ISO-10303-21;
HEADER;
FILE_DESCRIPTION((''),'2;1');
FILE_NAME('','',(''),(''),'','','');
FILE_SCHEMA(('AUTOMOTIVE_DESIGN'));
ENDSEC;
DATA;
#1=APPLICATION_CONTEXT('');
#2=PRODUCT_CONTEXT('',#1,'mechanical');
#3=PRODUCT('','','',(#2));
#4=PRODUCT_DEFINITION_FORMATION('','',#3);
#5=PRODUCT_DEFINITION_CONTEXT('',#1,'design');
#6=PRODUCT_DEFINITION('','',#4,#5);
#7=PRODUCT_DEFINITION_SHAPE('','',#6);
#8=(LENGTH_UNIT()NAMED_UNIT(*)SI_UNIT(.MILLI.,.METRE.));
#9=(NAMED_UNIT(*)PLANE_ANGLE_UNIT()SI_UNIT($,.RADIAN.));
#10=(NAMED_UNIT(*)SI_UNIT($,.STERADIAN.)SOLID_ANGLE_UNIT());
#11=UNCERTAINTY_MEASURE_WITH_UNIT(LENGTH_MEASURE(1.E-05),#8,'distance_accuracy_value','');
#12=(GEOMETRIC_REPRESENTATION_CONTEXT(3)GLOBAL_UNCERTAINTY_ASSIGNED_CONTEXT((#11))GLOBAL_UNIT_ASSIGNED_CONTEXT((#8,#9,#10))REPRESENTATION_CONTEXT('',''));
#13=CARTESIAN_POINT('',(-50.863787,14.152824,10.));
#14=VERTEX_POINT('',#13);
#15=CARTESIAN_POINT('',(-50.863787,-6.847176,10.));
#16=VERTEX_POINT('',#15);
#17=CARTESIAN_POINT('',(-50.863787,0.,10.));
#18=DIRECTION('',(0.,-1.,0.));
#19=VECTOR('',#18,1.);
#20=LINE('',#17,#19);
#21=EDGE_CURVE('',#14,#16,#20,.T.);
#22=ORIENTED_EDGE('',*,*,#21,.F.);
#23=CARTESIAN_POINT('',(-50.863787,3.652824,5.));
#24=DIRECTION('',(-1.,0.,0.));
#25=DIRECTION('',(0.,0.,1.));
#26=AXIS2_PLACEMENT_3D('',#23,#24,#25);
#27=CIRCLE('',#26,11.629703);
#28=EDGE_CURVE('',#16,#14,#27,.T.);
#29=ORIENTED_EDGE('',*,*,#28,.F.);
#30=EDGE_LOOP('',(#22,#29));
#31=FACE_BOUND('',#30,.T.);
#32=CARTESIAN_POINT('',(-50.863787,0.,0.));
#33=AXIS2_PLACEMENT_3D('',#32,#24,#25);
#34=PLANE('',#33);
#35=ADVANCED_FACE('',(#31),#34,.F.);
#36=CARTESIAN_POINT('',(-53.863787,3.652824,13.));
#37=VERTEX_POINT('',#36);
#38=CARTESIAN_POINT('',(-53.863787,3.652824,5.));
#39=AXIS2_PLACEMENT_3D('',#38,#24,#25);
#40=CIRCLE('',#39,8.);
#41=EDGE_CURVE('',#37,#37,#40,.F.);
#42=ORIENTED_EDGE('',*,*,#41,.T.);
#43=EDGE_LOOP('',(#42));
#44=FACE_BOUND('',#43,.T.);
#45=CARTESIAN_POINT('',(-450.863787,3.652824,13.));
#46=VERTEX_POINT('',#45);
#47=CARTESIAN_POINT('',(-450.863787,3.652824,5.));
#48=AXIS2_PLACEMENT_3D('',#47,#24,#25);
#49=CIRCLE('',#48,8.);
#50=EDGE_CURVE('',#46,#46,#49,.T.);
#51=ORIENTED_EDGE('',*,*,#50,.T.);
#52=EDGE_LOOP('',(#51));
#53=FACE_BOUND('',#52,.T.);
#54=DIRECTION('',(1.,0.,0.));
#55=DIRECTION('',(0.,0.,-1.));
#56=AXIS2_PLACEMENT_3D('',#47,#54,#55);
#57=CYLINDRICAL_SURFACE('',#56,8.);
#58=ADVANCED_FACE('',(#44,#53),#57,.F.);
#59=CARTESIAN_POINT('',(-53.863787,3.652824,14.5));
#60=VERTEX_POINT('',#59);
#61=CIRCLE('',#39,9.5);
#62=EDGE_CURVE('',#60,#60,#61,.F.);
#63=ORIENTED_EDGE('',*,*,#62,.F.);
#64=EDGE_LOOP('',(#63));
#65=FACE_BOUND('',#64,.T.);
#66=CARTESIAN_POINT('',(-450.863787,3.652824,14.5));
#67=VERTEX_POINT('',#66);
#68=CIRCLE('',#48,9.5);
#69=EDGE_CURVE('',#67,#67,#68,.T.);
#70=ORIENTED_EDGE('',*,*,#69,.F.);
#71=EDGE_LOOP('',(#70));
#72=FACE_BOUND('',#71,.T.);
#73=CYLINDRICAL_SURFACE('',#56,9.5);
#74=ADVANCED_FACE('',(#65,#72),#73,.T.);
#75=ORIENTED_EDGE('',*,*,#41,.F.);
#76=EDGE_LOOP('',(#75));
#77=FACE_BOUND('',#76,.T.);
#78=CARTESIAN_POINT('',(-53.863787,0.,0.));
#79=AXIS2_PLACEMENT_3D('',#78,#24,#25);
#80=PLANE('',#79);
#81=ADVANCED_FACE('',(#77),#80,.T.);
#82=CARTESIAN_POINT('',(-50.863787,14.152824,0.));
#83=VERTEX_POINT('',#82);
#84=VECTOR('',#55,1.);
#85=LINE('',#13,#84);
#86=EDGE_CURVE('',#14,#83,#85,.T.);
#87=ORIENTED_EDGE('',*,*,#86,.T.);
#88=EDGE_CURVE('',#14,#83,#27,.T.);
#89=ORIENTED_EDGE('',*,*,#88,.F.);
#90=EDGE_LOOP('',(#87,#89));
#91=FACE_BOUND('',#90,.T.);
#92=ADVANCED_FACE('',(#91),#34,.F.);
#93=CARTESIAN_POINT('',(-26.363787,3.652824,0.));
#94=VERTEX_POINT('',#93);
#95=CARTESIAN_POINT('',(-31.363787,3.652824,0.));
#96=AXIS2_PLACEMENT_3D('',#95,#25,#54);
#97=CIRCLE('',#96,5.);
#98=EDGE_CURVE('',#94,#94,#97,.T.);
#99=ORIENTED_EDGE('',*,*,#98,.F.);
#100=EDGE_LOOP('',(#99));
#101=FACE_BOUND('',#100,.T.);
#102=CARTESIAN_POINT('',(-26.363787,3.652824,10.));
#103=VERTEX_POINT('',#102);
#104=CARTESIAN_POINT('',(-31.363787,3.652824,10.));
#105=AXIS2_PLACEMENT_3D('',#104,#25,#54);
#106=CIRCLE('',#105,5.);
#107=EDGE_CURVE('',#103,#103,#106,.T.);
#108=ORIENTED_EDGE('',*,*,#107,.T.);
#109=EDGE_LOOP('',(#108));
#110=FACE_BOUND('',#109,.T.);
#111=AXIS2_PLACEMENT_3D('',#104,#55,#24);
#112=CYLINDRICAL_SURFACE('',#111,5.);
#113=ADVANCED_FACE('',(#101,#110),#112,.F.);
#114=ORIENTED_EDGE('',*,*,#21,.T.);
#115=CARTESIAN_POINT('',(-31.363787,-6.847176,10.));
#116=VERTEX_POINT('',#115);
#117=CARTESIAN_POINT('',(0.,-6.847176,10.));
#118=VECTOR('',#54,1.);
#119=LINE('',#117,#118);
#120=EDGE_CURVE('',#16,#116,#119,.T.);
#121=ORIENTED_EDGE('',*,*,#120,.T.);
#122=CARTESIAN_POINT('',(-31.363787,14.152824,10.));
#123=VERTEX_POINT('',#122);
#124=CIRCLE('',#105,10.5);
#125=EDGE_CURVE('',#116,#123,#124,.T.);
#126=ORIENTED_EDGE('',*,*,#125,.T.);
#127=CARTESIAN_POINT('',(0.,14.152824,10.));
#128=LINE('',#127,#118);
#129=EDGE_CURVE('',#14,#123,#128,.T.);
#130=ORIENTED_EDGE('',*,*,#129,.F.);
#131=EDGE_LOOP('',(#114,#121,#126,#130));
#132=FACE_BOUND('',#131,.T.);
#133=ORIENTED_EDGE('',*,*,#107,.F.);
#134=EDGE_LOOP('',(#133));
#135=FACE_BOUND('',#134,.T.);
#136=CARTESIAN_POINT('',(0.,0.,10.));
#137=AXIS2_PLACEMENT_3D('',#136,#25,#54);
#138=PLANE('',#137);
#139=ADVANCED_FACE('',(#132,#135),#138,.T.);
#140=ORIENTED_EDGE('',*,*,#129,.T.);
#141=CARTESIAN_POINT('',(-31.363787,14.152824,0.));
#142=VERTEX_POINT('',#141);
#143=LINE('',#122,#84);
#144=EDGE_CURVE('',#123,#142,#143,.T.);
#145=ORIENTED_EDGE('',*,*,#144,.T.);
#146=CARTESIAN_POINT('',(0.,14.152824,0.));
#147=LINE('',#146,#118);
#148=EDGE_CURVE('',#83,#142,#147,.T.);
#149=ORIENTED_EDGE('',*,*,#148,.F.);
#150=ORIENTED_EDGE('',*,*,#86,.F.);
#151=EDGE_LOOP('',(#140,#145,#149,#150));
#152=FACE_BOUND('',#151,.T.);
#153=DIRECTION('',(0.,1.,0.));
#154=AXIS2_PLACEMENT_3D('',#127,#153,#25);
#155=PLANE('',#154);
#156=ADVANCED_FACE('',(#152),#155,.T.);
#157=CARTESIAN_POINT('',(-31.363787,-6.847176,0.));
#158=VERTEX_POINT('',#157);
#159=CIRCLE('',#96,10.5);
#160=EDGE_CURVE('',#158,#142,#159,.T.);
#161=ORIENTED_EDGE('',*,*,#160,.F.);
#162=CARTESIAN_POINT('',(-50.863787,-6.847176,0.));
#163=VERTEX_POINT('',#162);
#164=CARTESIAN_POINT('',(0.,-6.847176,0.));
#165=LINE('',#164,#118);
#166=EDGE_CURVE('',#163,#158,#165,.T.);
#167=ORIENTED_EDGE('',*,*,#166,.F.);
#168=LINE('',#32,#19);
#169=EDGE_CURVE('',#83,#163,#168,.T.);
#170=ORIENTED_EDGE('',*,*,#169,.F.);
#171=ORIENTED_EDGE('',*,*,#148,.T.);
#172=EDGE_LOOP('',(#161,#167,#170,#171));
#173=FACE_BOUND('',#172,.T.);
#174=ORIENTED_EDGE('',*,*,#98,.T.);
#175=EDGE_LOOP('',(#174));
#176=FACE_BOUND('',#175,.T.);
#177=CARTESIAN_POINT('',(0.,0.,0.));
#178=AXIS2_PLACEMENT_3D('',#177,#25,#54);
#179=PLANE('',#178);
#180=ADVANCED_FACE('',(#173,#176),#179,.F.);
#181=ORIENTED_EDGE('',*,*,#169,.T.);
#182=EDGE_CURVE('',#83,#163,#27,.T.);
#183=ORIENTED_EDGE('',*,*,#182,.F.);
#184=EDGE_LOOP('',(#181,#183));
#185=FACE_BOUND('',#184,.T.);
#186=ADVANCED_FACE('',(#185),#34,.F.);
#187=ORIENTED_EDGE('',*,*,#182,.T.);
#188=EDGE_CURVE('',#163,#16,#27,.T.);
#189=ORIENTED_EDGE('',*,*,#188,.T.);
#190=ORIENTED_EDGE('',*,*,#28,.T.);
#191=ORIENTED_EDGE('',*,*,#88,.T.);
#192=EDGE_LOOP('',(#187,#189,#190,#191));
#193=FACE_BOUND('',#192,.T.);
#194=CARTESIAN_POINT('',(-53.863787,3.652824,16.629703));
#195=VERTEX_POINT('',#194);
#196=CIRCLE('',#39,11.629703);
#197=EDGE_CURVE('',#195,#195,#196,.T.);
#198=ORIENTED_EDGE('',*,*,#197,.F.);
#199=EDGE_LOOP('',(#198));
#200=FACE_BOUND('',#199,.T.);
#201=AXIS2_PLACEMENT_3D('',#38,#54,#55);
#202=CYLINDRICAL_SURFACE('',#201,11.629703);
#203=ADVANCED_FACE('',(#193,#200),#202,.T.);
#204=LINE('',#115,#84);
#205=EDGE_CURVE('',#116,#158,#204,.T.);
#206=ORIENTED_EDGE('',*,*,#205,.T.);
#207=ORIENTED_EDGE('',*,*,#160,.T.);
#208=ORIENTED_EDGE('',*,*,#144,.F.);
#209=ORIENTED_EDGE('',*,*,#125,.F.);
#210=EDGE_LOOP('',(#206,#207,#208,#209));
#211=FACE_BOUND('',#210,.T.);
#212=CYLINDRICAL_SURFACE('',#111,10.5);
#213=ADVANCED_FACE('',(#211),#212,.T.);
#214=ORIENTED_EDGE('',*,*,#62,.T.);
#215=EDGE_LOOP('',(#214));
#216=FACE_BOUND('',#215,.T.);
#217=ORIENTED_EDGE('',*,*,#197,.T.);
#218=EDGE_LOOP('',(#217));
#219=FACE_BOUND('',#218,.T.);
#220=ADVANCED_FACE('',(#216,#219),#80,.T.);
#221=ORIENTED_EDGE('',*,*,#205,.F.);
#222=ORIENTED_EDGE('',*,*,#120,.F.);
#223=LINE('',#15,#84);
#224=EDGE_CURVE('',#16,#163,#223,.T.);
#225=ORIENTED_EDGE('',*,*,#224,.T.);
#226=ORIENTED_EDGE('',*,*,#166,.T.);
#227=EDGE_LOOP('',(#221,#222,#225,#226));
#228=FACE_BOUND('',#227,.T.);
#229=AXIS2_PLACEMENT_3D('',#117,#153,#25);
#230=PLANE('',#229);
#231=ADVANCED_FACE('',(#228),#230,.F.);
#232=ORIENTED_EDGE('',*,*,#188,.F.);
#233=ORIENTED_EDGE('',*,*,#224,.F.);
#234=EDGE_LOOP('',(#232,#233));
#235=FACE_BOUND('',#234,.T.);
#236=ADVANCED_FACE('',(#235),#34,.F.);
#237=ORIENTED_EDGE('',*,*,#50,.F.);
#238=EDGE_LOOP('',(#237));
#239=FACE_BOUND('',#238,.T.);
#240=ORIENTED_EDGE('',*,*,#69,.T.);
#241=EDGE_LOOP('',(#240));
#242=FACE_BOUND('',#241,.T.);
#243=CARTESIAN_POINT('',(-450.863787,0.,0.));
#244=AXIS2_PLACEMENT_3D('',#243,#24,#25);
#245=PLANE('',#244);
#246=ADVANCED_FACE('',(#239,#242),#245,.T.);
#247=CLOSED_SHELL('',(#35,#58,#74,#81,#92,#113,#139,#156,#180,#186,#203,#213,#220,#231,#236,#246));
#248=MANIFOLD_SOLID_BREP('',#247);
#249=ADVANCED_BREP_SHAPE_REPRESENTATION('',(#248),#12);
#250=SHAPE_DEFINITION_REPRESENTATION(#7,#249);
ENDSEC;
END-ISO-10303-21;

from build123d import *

# Parameters (mm, degrees)
SKETCH1_R            = 5
BOSS_EXTRUDE1_DEPTH  = 10
SKETCH2_R            = 11.62970335
BOSS_EXTRUDE9_DEPTH  = 3
SKETCH2_8_R          = 9.5
SKETCH2_8_R_2        = 8
BOSS_EXTRUDE10_DEPTH = 400


with BuildPart() as part:
    # Sketch1 → Boss-Extrude1 (new body)
    with BuildSketch(Plane.XY):
        with BuildLine():
            Line((-31.363787375, 14.15282392), (-50.863787375, 14.15282392))
            Line((-50.863787375, 14.15282392), (-50.863787375, -6.84717608))
            Line((-50.863787375, -6.84717608), (-31.363787375, -6.84717608))
            ThreePointArc((-31.363787375, -6.84717608), (-20.863787375, 3.65282392), (-31.363787375, 14.15282392))
        make_face()
        with Locations((-31.363787375, 3.65282392)):
            Circle(SKETCH1_R, mode=Mode.SUBTRACT)
    extrude(amount=BOSS_EXTRUDE1_DEPTH)

    # Sketch2 → Boss-Extrude9 (add)
    with BuildSketch(Plane.ZY.offset(50.863787375)):
        with Locations((5, 3.65282392)):
            Circle(SKETCH2_R)
    extrude(amount=BOSS_EXTRUDE9_DEPTH)

    # Sketch2<8> → Boss-Extrude10 (add)
    with BuildSketch(Plane.ZY.offset(50.863787375)):
        with Locations((5, 3.65282392)):
            Circle(SKETCH2_8_R)
        with Locations((5, 3.65282392)):
            Circle(SKETCH2_8_R_2, mode=Mode.SUBTRACT)
    extrude(amount=BOSS_EXTRUDE10_DEPTH)


solid = part.part
